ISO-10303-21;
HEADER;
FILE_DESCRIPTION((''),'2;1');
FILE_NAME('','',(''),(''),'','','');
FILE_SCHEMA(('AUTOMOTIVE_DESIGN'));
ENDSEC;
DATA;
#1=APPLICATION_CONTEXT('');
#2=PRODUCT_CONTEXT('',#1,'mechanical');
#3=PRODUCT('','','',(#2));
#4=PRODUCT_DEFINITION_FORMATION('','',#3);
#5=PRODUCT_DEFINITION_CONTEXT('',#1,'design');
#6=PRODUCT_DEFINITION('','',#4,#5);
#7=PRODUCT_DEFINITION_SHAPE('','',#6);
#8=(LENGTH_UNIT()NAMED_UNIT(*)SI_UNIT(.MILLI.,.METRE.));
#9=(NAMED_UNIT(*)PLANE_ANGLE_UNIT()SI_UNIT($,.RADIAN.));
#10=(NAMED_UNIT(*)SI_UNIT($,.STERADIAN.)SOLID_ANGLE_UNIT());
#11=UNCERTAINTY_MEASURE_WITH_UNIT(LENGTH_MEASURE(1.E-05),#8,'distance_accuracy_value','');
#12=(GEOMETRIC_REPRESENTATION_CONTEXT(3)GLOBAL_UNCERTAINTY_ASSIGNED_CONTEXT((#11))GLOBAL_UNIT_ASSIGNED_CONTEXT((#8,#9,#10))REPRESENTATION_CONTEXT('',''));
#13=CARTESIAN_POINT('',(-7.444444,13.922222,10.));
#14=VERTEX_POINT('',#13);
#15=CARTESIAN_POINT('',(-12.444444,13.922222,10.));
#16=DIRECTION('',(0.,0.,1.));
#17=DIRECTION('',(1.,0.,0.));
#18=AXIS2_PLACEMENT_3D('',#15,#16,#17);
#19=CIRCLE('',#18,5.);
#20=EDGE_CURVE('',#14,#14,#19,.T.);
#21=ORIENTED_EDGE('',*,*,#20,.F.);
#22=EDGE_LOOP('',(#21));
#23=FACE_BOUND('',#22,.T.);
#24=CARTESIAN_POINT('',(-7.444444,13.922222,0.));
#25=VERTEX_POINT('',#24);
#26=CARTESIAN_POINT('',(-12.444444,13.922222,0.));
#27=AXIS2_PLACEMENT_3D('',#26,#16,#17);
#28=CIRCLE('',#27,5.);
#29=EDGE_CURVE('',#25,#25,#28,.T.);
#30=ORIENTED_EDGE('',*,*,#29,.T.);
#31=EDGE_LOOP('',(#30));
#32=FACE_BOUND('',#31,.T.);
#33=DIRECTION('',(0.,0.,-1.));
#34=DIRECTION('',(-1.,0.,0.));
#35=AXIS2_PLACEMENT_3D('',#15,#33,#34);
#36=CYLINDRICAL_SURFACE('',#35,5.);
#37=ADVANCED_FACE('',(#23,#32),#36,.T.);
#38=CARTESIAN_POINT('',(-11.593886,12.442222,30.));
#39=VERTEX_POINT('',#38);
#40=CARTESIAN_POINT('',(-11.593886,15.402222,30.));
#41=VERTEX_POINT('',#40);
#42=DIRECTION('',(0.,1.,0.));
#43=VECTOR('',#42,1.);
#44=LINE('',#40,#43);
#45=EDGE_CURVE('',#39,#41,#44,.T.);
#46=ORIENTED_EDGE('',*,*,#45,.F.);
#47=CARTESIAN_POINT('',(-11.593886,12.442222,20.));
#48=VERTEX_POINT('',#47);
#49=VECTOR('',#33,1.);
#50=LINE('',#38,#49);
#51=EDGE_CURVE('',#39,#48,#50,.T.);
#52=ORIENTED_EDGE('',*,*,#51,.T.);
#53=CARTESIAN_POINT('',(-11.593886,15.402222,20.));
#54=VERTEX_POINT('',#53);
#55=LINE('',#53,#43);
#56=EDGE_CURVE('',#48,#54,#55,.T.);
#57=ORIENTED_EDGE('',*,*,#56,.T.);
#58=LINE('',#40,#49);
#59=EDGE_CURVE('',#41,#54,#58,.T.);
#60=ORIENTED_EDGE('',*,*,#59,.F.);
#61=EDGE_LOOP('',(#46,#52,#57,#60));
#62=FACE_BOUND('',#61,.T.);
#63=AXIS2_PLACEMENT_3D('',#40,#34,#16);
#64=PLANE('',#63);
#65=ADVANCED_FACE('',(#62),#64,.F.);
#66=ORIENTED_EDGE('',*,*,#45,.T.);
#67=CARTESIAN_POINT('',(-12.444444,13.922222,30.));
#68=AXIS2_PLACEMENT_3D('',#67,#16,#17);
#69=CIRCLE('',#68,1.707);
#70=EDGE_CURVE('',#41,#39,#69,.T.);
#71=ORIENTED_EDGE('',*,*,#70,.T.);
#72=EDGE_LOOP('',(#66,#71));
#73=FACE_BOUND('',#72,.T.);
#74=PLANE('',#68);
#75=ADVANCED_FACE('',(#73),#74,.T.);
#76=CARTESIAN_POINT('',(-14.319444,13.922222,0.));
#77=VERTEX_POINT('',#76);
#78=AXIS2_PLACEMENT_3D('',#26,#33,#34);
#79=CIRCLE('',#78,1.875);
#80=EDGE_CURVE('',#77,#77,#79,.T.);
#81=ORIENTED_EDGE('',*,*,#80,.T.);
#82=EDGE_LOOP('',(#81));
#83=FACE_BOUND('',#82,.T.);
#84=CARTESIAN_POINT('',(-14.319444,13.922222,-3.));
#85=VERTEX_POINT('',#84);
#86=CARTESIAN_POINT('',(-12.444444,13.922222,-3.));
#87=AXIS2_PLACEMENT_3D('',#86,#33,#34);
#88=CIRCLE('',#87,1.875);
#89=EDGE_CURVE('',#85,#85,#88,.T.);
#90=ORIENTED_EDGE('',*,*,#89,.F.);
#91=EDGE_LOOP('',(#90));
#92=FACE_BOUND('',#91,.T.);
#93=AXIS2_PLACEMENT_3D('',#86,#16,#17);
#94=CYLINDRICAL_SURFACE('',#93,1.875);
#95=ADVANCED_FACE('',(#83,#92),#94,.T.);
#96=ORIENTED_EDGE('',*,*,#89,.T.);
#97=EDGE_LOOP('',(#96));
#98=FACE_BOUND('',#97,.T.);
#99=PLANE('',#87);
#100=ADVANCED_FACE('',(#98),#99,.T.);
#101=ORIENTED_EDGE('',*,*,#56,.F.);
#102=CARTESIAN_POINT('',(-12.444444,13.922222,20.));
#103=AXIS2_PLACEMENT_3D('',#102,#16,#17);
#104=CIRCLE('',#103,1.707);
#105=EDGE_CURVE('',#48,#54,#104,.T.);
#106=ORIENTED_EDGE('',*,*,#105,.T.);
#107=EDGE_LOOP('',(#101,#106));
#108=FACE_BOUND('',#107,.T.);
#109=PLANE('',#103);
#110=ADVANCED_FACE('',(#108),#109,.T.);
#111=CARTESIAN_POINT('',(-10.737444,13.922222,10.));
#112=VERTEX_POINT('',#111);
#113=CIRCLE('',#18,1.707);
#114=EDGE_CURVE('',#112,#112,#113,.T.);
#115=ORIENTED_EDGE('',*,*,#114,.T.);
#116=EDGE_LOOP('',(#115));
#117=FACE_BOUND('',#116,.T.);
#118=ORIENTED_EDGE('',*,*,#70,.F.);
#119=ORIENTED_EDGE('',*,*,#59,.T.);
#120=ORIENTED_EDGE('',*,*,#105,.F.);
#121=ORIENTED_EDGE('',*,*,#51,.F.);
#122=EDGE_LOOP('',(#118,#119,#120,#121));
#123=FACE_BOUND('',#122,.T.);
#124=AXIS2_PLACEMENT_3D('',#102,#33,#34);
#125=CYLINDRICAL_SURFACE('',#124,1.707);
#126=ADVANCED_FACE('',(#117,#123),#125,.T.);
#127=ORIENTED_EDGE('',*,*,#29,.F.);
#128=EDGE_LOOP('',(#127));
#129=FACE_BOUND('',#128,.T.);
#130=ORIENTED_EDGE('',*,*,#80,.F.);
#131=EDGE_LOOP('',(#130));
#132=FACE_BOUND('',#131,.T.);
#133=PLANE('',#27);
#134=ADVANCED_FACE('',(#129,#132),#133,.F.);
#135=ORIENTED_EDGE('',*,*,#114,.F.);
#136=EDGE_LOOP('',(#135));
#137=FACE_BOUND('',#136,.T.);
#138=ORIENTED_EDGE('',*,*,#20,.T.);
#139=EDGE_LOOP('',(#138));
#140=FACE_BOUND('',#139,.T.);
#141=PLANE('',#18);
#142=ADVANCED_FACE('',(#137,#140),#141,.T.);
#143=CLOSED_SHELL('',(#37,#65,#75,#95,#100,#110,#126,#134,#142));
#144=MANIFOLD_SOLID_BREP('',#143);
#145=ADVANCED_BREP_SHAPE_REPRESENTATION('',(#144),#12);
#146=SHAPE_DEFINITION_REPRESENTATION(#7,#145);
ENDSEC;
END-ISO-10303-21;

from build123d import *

# Parameters (mm, degrees)
SKETCH1_R           = 5
BOSS_EXTRUDE1_DEPTH = 10
SKETCH2_R           = 1.707
BOSS_EXTRUDE3_DEPTH = 10
BOSS_EXTRUDE4_DEPTH = 10
SKETCH5_R           = 1.875
BOSS_EXTRUDE5_DEPTH = 3


with BuildPart() as part:
    # Sketch1 → Boss-Extrude1 (new body)
    with BuildSketch(Plane.XY):
        with Locations((-12.444444444, 13.922222222)):
            Circle(SKETCH1_R)
    extrude(amount=BOSS_EXTRUDE1_DEPTH)

    # Sketch2 → Boss-Extrude3 (add)
    with BuildSketch(Plane.XY.offset(10)):
        with Locations((-12.444444444, 13.922222222)):
            Circle(SKETCH2_R)
    extrude(amount=BOSS_EXTRUDE3_DEPTH)

    # Sketch4 → Boss-Extrude4 (add)
    with BuildSketch(Plane.XY.offset(20)):
        with BuildLine():
            Line((-11.593886392, 15.402222222), (-11.593886392, 12.442222222))
            ThreePointArc((-11.593886392, 12.442222222), (-14.151444444, 13.922222222), (-11.593886392, 15.402222222))
        make_face()
    extrude(amount=BOSS_EXTRUDE4_DEPTH)

    # Sketch5 → Boss-Extrude5 (add)
    with BuildSketch(Plane(origin=(0, 0, 0), x_dir=(-1, 0, 0), z_dir=(0, 0, -1))):
        with Locations((12.444444444, 13.922222222)):
            Circle(SKETCH5_R)
    extrude(amount=BOSS_EXTRUDE5_DEPTH)


solid = part.part
